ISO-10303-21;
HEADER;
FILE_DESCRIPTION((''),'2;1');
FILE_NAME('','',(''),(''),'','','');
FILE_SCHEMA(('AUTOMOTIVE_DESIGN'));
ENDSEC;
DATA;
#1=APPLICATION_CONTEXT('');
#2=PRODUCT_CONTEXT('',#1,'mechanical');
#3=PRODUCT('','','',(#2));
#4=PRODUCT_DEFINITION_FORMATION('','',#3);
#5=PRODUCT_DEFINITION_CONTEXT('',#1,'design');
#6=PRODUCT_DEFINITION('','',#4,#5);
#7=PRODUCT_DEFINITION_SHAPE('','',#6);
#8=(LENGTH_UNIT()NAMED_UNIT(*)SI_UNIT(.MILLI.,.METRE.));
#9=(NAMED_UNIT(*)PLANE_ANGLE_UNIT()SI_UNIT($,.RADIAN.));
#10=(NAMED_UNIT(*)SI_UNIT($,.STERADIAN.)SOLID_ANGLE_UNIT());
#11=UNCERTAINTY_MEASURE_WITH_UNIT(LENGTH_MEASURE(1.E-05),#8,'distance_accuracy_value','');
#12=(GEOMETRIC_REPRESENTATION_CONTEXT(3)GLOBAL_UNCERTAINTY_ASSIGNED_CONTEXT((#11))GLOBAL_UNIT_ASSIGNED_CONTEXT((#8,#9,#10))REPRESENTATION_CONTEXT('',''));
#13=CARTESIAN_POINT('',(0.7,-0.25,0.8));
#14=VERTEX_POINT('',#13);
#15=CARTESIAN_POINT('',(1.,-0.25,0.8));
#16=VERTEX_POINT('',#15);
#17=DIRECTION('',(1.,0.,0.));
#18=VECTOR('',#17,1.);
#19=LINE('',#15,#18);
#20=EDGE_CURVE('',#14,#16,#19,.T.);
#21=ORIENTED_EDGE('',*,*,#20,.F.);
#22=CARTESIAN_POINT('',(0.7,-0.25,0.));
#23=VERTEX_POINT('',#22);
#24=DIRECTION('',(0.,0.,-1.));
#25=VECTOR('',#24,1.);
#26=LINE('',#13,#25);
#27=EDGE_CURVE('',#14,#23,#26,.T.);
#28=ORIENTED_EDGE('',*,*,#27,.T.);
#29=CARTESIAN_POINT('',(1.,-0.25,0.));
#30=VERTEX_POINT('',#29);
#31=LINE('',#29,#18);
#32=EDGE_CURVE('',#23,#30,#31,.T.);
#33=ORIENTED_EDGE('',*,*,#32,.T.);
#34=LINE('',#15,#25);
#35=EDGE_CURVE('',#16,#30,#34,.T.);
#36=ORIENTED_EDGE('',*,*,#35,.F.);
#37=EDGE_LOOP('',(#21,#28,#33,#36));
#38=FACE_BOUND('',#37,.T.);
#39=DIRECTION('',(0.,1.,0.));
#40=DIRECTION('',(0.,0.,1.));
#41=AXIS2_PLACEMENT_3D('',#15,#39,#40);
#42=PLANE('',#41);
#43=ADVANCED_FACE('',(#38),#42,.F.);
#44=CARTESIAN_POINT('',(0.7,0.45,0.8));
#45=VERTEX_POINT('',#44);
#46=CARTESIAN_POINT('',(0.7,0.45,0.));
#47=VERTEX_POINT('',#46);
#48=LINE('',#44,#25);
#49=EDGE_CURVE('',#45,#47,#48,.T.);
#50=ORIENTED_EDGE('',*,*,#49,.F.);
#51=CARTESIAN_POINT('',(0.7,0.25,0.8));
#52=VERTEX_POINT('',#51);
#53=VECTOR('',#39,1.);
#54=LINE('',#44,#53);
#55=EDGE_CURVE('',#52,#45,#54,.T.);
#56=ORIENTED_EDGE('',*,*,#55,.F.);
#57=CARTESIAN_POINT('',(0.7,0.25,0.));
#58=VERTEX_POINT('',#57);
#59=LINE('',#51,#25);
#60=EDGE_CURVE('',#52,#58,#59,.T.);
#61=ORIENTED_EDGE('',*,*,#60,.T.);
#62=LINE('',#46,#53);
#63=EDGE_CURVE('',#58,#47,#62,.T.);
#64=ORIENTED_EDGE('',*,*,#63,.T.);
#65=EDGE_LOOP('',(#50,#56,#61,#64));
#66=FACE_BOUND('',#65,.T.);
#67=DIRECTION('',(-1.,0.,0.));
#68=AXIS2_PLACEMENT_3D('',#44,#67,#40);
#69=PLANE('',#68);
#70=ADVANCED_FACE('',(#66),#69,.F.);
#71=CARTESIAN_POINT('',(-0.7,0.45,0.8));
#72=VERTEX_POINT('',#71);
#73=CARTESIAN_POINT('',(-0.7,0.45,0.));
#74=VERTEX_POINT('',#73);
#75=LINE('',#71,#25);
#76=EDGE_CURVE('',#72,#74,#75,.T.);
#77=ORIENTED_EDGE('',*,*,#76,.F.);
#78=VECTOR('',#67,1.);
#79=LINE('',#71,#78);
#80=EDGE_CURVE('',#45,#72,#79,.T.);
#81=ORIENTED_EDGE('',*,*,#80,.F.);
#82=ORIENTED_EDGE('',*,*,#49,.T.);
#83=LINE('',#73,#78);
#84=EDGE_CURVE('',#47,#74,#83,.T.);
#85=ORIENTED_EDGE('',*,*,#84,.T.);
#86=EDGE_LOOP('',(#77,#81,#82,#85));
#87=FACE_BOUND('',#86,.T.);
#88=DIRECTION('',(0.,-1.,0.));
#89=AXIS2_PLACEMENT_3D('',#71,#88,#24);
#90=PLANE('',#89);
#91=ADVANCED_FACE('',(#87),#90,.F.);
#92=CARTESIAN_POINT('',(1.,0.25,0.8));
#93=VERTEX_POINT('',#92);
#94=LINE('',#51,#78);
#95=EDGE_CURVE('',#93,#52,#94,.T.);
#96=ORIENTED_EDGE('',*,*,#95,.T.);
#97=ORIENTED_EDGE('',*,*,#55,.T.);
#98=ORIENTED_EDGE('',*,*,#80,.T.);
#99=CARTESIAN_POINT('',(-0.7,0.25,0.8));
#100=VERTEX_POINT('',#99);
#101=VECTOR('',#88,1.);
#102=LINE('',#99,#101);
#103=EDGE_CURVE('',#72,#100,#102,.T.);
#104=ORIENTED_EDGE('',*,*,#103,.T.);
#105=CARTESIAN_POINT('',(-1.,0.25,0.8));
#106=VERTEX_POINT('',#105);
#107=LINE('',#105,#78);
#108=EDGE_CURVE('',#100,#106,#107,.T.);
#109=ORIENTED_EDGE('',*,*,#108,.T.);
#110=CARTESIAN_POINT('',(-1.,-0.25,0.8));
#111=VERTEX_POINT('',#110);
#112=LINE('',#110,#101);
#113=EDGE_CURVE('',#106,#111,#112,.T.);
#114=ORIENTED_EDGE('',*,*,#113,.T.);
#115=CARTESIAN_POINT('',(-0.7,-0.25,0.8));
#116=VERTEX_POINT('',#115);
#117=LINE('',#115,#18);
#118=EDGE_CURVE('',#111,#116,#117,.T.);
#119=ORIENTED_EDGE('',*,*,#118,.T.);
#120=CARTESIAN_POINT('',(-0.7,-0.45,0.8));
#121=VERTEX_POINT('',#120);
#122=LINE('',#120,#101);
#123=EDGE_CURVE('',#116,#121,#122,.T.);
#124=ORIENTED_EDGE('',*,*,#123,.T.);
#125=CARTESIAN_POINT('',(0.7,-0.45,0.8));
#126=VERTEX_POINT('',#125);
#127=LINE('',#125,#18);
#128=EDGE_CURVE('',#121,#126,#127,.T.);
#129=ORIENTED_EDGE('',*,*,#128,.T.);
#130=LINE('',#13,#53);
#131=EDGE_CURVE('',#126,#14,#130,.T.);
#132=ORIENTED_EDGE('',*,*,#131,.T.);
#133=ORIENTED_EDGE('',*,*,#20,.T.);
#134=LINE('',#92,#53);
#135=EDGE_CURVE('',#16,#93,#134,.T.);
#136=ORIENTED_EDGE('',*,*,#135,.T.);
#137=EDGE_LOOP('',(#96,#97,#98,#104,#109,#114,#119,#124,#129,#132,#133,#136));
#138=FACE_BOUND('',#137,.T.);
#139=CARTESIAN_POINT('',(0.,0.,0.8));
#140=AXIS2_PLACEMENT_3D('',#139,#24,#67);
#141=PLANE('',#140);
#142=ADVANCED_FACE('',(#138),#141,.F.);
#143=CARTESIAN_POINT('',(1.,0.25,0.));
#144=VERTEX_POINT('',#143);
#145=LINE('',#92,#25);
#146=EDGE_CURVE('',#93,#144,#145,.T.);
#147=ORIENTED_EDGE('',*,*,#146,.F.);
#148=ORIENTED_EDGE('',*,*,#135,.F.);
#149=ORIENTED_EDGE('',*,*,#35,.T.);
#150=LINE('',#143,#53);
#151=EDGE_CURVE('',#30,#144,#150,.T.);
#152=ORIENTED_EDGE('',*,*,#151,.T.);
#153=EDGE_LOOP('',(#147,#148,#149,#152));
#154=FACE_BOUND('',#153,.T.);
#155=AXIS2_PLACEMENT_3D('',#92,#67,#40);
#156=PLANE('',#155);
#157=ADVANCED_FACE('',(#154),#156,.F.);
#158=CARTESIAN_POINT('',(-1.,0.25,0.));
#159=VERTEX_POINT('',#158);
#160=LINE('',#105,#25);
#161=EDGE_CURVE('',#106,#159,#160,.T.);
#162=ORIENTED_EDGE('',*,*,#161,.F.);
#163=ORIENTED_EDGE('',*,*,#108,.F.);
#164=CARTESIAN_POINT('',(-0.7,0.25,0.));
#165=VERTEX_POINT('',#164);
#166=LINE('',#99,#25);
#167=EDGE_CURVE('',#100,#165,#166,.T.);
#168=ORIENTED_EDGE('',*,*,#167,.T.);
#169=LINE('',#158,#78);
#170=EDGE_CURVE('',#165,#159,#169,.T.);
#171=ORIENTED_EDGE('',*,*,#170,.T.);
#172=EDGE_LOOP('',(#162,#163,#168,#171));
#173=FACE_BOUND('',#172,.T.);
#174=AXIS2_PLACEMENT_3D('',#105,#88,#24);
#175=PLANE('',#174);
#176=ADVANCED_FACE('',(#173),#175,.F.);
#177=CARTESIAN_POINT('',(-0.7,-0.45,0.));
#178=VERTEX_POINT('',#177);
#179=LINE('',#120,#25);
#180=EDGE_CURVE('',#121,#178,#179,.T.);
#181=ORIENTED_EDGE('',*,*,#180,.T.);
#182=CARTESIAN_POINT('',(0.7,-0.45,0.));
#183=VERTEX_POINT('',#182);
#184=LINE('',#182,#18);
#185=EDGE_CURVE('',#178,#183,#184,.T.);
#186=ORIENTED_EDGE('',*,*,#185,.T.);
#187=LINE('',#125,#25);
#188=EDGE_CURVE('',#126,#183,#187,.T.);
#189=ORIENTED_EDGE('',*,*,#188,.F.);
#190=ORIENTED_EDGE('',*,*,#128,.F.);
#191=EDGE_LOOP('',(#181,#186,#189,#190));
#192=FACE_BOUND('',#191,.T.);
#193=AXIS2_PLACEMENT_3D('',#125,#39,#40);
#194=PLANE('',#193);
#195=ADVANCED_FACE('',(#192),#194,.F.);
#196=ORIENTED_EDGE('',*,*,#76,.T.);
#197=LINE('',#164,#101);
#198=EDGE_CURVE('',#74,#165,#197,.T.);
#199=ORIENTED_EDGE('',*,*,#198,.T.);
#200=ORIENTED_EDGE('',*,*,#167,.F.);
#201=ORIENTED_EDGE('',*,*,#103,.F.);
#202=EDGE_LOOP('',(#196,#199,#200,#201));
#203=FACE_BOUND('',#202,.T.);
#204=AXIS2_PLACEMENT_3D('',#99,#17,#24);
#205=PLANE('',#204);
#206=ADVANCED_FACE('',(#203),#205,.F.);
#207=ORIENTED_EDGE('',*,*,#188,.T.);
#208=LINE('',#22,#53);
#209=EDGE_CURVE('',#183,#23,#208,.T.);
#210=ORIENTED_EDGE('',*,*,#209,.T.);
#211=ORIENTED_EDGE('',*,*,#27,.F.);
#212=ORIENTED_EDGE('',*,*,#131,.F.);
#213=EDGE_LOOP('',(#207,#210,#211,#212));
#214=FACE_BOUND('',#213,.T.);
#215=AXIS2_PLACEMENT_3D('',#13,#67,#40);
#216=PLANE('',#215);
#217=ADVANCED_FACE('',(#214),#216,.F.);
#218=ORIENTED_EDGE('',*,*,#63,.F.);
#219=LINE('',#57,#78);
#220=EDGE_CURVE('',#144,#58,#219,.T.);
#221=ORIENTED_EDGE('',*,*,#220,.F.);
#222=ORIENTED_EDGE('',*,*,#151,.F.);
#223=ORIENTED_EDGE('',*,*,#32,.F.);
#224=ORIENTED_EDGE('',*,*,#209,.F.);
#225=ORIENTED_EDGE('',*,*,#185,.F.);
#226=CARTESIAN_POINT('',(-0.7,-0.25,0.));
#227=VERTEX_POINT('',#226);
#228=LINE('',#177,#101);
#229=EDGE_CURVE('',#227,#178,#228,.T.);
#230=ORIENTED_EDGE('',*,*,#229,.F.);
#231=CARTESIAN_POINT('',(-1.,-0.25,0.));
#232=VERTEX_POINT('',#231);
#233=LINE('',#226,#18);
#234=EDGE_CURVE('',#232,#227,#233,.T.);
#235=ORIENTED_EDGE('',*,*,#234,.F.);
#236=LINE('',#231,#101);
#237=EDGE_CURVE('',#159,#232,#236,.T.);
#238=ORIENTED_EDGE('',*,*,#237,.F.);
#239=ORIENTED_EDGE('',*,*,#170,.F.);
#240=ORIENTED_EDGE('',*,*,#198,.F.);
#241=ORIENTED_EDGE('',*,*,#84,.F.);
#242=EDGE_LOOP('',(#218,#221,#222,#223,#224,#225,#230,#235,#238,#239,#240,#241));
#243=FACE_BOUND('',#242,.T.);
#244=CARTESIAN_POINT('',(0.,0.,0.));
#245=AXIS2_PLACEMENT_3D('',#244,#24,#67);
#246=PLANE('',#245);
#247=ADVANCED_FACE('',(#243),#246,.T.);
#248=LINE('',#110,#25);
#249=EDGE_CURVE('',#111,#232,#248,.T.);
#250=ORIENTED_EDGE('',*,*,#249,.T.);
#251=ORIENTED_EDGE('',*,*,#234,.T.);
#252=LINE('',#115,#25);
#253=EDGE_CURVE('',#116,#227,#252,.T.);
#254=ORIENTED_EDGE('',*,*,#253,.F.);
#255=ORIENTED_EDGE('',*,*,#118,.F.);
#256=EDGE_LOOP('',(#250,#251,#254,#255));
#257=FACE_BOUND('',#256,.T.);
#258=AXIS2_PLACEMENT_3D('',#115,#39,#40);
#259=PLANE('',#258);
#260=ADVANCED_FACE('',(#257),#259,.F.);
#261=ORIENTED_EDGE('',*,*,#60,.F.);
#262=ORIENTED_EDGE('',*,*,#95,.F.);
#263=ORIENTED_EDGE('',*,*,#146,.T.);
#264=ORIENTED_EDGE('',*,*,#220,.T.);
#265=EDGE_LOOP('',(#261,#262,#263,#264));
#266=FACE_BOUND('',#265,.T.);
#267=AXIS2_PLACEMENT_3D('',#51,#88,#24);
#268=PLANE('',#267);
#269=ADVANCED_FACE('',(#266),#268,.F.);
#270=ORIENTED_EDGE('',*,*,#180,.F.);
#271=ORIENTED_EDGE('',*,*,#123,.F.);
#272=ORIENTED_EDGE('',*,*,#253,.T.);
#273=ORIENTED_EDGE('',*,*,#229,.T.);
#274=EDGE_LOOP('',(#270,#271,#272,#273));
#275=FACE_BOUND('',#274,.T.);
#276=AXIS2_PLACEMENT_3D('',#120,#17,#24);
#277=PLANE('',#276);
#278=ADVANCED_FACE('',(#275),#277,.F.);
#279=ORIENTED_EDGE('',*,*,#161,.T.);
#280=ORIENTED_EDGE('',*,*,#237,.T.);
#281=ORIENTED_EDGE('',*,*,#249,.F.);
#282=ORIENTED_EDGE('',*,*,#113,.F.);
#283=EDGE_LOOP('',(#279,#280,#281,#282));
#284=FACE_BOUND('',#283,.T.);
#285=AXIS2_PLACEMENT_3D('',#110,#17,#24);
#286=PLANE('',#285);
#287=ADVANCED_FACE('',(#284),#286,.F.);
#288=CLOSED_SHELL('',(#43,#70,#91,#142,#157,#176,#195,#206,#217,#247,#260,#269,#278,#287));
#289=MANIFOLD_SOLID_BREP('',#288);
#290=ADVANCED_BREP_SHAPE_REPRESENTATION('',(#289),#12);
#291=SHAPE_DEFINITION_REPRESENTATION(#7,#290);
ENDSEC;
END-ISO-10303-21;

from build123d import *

# Parameters (mm, degrees)
COMPONENT_OUTLINE_DEPTH = 0.8


with BuildPart() as part:
    # 草图1 → Component_Outline (new body)
    with BuildSketch(Plane.XY):
        Polygon((1, -0.25), (0.7, -0.25), (0.7, -0.45), (-0.7, -0.45), (-0.7, -0.25), (-1, -0.25), (-1, 0.25), (-0.7, 0.25), (-0.7, 0.45), (0.7, 0.45), (0.7, 0.25), (1, 0.25), align=None)
    extrude(amount=COMPONENT_OUTLINE_DEPTH)


solid = part.part
